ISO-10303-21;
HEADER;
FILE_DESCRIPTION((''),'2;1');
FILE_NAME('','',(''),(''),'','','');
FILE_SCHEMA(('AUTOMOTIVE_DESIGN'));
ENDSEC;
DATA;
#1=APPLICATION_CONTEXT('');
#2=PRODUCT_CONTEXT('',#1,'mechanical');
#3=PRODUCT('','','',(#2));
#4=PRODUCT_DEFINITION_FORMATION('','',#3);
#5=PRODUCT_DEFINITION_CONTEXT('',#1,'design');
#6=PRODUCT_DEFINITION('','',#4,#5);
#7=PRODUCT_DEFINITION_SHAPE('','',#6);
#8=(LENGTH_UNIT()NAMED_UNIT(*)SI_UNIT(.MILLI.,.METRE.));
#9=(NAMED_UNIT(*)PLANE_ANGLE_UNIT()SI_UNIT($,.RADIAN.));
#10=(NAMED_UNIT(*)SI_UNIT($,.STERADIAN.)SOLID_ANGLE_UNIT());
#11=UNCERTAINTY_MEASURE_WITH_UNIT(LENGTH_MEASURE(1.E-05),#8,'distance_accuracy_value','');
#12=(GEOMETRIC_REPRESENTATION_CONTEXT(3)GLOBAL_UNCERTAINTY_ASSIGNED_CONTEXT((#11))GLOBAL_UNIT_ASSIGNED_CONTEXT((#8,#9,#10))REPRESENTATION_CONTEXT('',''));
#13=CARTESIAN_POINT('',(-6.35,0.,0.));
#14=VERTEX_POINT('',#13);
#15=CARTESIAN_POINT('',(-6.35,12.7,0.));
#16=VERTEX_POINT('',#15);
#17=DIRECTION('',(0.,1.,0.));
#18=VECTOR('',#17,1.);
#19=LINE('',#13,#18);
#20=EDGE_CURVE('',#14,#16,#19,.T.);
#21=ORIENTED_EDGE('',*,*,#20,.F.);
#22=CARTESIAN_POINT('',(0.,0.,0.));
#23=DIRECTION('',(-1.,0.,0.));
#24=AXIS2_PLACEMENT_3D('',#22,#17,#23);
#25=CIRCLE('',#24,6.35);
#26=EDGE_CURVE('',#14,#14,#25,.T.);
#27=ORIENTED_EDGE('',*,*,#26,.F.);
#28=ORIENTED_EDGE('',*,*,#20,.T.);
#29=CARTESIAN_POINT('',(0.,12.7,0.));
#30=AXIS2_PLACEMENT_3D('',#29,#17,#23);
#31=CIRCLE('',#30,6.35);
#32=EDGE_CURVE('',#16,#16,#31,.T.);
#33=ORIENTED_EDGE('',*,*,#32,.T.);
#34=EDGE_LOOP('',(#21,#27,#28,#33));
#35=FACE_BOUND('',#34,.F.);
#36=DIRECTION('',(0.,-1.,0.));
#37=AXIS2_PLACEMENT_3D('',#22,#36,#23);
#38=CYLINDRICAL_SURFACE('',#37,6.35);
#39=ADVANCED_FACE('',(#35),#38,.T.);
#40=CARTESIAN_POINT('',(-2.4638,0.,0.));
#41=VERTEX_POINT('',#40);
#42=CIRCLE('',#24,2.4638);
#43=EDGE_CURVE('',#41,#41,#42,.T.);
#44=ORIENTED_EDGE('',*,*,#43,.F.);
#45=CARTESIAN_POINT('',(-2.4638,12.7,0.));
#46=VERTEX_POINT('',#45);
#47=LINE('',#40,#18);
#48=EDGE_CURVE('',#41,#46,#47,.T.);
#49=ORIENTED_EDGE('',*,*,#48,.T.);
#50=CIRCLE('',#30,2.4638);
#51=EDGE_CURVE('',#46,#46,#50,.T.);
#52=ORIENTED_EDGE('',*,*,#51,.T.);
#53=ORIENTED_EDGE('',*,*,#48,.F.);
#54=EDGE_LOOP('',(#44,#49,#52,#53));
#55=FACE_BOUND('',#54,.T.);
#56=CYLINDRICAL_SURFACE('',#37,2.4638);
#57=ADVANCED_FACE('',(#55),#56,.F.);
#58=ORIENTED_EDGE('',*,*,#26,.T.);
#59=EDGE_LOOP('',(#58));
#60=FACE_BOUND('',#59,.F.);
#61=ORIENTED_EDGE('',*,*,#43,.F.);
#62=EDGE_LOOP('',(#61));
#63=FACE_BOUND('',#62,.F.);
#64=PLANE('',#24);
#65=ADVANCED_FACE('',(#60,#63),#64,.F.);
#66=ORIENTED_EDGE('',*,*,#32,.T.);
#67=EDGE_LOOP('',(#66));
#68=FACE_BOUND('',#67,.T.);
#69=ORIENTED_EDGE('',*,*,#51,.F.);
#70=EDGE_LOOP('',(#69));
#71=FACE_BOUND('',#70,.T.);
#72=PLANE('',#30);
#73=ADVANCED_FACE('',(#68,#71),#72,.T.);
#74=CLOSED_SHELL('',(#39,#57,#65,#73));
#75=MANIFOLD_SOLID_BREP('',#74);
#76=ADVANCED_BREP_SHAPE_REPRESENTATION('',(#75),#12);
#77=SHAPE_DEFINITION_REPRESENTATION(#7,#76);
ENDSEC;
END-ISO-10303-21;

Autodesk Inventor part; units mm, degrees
ref_plane "YZ Plane" through (0, 0, 0) normal (1, 0, 0) x (0, 1, 0)
ref_plane "XZ Plane" through (0, 0, 0) normal (0, 1, 0) x (-1, 0, 0)
ref_plane "XY Plane" through (0, 0, 0) normal (0, 0, 1) x (1, 0, 0)
sketch "Sketch1" plane through (0, 0, 0) normal (0, 1, 0) x (-1, 0, 0)
  circle A0 centre (0, 0) radius 6.35
  circle A1 centre (0, 0) radius 2.4638
  dimension "d0" = 12.7
  dimension "d1" = 4.9276
extrude "Extrusion1" add sketch "Sketch1" along normal blind 12.7
properties part number "275-1066" material "Glass"
